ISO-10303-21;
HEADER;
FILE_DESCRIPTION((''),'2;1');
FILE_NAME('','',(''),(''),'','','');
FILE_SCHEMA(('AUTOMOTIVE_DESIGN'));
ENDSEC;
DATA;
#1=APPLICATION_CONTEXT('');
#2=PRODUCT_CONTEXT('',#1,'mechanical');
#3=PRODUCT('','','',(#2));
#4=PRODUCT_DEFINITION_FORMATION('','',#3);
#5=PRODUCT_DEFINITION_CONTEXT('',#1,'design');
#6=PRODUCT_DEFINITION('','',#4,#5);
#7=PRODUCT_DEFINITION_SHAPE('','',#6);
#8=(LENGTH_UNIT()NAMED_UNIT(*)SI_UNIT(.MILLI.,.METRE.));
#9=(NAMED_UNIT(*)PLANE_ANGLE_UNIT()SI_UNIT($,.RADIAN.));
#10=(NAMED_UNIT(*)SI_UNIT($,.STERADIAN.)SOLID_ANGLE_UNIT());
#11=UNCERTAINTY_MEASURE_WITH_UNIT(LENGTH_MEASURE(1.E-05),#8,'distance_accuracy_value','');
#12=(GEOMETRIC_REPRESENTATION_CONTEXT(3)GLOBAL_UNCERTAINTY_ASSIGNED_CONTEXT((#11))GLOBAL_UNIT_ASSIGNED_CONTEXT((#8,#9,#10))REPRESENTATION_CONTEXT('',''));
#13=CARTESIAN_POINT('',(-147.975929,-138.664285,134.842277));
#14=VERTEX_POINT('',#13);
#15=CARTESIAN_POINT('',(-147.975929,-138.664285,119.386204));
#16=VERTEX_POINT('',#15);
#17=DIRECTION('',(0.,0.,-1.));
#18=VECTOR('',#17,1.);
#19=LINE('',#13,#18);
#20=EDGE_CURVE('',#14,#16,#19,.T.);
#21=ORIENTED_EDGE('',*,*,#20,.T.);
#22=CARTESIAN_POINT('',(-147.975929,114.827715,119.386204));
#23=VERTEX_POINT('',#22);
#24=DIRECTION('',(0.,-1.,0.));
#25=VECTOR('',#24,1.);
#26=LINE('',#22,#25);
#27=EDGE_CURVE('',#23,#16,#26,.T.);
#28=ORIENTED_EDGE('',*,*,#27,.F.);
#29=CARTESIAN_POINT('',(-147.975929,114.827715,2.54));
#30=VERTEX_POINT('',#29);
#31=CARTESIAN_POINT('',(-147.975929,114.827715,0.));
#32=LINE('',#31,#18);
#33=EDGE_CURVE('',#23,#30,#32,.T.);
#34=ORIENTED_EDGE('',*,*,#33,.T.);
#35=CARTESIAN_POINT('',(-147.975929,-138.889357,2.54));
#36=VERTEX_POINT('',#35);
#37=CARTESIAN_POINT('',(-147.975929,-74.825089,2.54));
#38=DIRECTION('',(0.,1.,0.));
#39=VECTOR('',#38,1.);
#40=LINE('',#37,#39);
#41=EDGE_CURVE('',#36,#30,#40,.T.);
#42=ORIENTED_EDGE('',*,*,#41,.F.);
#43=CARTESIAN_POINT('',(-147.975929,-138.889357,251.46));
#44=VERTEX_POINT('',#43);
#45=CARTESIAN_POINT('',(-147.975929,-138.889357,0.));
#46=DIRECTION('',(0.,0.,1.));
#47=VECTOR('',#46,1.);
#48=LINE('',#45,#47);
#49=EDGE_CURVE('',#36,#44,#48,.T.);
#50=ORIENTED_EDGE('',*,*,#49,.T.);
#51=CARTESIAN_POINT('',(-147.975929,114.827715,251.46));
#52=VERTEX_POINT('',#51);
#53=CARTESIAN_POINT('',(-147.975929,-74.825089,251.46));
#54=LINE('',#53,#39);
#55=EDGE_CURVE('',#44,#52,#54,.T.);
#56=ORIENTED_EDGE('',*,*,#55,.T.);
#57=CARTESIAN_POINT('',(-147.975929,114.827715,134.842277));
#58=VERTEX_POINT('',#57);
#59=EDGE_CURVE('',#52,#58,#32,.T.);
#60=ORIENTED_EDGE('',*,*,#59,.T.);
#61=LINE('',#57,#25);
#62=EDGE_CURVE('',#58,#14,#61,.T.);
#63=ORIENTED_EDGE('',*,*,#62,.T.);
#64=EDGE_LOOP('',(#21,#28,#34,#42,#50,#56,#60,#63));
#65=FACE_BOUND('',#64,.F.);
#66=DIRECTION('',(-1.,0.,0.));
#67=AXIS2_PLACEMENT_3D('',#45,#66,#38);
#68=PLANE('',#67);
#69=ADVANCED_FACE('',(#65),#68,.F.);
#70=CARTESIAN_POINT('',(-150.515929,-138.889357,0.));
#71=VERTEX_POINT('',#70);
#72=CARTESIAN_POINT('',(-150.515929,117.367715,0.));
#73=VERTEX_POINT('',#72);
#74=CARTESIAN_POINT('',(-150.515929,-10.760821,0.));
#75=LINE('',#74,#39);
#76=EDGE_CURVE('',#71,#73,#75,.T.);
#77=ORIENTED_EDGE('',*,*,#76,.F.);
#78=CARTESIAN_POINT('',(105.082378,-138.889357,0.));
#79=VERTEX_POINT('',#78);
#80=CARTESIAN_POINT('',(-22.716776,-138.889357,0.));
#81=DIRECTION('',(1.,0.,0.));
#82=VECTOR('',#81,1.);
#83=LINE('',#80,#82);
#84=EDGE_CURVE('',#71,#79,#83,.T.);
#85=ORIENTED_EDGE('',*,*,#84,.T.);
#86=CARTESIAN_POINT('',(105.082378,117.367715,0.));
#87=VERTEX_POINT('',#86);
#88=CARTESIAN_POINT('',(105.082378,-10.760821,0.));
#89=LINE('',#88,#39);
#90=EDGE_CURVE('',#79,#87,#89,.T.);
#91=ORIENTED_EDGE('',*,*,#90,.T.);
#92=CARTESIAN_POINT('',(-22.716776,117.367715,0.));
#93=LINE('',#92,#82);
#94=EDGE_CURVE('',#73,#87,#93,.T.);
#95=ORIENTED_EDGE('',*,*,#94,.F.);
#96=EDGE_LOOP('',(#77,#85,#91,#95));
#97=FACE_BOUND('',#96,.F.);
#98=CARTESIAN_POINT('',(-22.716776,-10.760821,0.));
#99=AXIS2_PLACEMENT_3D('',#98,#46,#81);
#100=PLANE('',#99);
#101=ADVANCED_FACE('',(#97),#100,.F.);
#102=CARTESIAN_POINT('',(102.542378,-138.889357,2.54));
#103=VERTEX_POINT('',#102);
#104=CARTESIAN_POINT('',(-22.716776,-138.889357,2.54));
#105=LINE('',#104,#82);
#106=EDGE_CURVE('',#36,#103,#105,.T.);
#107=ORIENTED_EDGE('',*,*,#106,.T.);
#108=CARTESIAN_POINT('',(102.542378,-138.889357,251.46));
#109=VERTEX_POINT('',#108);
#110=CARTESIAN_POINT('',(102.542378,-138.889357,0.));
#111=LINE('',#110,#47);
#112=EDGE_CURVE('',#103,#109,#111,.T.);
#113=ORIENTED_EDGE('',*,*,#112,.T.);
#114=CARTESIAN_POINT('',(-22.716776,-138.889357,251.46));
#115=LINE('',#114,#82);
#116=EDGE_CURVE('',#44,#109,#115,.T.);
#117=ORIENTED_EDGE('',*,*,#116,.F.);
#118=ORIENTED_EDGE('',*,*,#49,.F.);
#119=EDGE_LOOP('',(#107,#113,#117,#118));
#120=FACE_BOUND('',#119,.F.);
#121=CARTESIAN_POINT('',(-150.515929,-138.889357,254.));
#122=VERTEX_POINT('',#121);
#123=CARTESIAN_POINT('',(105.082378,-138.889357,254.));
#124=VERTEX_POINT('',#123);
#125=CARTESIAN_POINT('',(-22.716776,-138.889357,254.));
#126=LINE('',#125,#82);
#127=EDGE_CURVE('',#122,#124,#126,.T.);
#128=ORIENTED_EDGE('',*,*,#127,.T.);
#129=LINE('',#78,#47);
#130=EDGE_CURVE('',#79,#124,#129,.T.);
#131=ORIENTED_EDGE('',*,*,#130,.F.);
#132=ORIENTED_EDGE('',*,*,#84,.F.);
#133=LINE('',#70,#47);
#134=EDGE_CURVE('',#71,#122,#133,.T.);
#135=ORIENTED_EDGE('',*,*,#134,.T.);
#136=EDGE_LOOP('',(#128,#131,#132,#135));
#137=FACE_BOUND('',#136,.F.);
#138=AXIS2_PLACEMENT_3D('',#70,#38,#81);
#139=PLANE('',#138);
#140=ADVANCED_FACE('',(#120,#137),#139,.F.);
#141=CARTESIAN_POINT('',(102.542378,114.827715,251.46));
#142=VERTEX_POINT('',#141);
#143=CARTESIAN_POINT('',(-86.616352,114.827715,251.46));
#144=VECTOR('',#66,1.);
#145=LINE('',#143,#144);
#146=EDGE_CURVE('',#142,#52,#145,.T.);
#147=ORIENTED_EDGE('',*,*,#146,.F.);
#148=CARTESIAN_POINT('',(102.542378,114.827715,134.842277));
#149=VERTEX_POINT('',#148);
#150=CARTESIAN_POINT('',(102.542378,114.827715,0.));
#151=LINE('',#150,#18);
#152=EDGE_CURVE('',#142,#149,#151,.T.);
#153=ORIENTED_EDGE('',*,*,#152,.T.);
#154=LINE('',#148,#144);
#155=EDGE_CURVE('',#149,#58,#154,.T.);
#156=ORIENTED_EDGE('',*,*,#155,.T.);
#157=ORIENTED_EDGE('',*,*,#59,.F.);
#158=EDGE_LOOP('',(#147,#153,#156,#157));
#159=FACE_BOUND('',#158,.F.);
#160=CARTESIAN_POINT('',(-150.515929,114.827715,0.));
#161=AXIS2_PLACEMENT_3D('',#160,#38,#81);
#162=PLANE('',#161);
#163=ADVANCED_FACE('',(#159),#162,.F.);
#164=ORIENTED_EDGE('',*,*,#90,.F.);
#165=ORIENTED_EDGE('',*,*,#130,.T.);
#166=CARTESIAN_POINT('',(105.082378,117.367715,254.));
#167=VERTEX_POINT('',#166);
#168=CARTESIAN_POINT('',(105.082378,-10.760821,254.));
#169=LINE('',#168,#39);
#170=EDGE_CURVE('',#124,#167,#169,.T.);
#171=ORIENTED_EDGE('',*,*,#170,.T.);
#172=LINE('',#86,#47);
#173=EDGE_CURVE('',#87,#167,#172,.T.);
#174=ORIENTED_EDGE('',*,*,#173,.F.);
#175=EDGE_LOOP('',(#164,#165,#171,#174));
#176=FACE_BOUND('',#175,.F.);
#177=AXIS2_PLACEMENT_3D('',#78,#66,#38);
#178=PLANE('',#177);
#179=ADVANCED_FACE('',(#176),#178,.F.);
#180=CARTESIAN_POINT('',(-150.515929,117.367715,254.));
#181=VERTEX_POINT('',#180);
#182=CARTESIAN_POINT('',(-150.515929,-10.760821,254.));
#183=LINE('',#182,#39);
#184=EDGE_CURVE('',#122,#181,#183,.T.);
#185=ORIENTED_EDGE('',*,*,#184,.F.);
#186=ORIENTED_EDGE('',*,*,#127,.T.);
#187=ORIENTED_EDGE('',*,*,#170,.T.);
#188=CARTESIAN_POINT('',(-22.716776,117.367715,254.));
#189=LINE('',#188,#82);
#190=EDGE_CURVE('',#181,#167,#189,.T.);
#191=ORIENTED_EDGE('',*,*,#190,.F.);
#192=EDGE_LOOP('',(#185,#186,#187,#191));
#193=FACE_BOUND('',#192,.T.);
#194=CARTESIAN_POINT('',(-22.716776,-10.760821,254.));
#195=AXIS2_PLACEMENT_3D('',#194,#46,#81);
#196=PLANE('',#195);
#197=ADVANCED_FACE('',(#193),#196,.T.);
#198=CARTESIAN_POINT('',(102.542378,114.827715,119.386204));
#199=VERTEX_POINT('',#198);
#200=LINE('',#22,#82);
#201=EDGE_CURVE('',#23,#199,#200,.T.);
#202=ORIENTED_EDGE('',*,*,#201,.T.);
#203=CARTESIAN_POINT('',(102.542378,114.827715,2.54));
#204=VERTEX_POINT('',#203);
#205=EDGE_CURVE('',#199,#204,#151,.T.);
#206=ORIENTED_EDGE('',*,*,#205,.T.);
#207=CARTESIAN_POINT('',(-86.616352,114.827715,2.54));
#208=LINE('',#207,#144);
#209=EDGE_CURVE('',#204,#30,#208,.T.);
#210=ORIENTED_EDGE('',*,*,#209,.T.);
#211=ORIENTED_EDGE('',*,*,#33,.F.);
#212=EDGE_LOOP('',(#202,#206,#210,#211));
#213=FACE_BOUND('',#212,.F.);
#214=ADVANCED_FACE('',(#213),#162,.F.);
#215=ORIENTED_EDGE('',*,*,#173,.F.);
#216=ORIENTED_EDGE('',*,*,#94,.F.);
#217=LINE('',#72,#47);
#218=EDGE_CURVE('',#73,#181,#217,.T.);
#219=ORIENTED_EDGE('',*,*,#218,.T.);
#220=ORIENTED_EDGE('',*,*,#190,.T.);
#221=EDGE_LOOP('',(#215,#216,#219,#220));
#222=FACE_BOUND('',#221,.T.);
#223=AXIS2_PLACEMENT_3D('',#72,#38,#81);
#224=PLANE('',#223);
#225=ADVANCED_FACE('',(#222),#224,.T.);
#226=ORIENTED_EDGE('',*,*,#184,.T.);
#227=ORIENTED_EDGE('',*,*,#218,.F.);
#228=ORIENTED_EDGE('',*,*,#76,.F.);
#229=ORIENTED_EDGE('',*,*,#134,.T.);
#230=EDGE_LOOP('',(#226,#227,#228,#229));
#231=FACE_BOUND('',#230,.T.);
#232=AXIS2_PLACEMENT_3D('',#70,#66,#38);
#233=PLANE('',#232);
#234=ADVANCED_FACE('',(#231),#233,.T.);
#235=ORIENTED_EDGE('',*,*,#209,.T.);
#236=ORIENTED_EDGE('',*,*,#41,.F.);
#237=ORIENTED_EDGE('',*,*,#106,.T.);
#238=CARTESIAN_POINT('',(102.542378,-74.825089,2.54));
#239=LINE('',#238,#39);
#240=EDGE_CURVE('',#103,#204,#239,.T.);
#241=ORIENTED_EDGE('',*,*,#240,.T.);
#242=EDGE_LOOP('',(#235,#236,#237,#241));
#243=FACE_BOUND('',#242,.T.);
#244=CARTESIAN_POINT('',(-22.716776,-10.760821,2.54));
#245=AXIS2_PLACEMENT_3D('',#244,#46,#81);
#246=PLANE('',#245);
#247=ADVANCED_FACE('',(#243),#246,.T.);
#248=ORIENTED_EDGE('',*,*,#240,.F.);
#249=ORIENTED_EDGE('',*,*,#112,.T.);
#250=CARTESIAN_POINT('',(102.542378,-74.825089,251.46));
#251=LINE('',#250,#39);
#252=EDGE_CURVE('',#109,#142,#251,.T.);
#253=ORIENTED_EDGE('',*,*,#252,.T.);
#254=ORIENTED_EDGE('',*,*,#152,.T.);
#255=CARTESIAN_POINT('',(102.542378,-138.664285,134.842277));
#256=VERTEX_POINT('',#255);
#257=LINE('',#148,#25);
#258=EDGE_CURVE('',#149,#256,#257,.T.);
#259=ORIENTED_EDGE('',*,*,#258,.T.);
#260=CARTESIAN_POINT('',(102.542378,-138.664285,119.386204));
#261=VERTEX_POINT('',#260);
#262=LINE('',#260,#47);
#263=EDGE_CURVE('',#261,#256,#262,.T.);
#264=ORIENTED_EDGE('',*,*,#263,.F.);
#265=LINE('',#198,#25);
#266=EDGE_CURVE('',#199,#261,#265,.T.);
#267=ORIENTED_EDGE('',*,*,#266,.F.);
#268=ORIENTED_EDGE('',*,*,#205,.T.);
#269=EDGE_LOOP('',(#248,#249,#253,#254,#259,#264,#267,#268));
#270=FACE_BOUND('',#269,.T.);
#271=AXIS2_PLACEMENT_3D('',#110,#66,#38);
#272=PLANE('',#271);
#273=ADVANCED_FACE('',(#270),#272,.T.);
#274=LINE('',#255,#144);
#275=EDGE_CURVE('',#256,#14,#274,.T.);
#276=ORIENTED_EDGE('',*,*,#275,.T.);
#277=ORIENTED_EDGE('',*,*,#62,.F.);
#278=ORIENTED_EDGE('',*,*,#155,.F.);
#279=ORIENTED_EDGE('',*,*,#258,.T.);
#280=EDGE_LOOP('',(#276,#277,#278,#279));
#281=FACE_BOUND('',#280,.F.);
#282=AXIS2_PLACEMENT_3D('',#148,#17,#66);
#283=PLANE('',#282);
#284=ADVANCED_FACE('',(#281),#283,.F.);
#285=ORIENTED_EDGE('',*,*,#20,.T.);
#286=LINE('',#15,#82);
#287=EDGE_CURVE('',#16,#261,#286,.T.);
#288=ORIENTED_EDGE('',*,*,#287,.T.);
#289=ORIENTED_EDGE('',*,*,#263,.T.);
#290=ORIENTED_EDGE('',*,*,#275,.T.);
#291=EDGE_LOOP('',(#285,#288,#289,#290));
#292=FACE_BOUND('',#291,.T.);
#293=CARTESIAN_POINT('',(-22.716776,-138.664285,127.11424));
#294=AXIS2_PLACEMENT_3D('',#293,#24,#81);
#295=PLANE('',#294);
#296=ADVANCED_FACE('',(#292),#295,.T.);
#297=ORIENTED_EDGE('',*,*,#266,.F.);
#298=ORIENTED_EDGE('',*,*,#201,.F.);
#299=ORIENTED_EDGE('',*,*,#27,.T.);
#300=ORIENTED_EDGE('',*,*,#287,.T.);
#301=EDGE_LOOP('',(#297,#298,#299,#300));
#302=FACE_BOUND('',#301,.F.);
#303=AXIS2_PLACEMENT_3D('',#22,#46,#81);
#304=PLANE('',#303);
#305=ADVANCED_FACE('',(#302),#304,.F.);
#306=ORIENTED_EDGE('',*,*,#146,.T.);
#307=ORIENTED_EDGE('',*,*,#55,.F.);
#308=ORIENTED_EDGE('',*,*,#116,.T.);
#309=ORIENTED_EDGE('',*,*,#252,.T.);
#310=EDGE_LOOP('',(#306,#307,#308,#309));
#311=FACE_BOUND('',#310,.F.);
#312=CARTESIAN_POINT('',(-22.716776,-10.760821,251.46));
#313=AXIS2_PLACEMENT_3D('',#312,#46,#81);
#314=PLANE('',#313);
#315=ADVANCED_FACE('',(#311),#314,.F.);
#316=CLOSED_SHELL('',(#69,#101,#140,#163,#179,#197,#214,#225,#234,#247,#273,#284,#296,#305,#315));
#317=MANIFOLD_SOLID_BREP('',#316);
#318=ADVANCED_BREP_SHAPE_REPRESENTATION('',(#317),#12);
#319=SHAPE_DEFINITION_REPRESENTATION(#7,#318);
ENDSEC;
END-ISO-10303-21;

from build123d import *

# Parameters (mm, degrees)
F0_W     = 255.5983066559
F0_H     = 256.2570720911
F1_DEPTH = 254
F2_T     = -2.54
F4_DEPTH = 253.492


with BuildPart() as f1:
    # F0 (on Top) → F1 (new body)
    with BuildSketch(Plane.XY):
        with Locations((-22.7167755365, -10.7608214021)):
            Rectangle(F0_W, F0_H)
    extrude(amount=F1_DEPTH)

    # F2
    f2_openings = [f1.faces().sort_by_distance(p)[0] for p in [
        (-22.716776, -138.889357, 127),
    ]]
    offset(amount=F2_T, openings=f2_openings)

    # F3 (on face) → F4 (join)
    with BuildSketch(Plane.XZ.offset(-114.8277146435)):
        Polygon((102.5423777914, 119.3862035871), (102.5423777914, 127), (102.5423777914, 134.8422765732), (-147.9759288645, 134.8422765732), (-147.9759288645, 119.3862035871), align=None)
    extrude(amount=F4_DEPTH)


solid = f1.part
